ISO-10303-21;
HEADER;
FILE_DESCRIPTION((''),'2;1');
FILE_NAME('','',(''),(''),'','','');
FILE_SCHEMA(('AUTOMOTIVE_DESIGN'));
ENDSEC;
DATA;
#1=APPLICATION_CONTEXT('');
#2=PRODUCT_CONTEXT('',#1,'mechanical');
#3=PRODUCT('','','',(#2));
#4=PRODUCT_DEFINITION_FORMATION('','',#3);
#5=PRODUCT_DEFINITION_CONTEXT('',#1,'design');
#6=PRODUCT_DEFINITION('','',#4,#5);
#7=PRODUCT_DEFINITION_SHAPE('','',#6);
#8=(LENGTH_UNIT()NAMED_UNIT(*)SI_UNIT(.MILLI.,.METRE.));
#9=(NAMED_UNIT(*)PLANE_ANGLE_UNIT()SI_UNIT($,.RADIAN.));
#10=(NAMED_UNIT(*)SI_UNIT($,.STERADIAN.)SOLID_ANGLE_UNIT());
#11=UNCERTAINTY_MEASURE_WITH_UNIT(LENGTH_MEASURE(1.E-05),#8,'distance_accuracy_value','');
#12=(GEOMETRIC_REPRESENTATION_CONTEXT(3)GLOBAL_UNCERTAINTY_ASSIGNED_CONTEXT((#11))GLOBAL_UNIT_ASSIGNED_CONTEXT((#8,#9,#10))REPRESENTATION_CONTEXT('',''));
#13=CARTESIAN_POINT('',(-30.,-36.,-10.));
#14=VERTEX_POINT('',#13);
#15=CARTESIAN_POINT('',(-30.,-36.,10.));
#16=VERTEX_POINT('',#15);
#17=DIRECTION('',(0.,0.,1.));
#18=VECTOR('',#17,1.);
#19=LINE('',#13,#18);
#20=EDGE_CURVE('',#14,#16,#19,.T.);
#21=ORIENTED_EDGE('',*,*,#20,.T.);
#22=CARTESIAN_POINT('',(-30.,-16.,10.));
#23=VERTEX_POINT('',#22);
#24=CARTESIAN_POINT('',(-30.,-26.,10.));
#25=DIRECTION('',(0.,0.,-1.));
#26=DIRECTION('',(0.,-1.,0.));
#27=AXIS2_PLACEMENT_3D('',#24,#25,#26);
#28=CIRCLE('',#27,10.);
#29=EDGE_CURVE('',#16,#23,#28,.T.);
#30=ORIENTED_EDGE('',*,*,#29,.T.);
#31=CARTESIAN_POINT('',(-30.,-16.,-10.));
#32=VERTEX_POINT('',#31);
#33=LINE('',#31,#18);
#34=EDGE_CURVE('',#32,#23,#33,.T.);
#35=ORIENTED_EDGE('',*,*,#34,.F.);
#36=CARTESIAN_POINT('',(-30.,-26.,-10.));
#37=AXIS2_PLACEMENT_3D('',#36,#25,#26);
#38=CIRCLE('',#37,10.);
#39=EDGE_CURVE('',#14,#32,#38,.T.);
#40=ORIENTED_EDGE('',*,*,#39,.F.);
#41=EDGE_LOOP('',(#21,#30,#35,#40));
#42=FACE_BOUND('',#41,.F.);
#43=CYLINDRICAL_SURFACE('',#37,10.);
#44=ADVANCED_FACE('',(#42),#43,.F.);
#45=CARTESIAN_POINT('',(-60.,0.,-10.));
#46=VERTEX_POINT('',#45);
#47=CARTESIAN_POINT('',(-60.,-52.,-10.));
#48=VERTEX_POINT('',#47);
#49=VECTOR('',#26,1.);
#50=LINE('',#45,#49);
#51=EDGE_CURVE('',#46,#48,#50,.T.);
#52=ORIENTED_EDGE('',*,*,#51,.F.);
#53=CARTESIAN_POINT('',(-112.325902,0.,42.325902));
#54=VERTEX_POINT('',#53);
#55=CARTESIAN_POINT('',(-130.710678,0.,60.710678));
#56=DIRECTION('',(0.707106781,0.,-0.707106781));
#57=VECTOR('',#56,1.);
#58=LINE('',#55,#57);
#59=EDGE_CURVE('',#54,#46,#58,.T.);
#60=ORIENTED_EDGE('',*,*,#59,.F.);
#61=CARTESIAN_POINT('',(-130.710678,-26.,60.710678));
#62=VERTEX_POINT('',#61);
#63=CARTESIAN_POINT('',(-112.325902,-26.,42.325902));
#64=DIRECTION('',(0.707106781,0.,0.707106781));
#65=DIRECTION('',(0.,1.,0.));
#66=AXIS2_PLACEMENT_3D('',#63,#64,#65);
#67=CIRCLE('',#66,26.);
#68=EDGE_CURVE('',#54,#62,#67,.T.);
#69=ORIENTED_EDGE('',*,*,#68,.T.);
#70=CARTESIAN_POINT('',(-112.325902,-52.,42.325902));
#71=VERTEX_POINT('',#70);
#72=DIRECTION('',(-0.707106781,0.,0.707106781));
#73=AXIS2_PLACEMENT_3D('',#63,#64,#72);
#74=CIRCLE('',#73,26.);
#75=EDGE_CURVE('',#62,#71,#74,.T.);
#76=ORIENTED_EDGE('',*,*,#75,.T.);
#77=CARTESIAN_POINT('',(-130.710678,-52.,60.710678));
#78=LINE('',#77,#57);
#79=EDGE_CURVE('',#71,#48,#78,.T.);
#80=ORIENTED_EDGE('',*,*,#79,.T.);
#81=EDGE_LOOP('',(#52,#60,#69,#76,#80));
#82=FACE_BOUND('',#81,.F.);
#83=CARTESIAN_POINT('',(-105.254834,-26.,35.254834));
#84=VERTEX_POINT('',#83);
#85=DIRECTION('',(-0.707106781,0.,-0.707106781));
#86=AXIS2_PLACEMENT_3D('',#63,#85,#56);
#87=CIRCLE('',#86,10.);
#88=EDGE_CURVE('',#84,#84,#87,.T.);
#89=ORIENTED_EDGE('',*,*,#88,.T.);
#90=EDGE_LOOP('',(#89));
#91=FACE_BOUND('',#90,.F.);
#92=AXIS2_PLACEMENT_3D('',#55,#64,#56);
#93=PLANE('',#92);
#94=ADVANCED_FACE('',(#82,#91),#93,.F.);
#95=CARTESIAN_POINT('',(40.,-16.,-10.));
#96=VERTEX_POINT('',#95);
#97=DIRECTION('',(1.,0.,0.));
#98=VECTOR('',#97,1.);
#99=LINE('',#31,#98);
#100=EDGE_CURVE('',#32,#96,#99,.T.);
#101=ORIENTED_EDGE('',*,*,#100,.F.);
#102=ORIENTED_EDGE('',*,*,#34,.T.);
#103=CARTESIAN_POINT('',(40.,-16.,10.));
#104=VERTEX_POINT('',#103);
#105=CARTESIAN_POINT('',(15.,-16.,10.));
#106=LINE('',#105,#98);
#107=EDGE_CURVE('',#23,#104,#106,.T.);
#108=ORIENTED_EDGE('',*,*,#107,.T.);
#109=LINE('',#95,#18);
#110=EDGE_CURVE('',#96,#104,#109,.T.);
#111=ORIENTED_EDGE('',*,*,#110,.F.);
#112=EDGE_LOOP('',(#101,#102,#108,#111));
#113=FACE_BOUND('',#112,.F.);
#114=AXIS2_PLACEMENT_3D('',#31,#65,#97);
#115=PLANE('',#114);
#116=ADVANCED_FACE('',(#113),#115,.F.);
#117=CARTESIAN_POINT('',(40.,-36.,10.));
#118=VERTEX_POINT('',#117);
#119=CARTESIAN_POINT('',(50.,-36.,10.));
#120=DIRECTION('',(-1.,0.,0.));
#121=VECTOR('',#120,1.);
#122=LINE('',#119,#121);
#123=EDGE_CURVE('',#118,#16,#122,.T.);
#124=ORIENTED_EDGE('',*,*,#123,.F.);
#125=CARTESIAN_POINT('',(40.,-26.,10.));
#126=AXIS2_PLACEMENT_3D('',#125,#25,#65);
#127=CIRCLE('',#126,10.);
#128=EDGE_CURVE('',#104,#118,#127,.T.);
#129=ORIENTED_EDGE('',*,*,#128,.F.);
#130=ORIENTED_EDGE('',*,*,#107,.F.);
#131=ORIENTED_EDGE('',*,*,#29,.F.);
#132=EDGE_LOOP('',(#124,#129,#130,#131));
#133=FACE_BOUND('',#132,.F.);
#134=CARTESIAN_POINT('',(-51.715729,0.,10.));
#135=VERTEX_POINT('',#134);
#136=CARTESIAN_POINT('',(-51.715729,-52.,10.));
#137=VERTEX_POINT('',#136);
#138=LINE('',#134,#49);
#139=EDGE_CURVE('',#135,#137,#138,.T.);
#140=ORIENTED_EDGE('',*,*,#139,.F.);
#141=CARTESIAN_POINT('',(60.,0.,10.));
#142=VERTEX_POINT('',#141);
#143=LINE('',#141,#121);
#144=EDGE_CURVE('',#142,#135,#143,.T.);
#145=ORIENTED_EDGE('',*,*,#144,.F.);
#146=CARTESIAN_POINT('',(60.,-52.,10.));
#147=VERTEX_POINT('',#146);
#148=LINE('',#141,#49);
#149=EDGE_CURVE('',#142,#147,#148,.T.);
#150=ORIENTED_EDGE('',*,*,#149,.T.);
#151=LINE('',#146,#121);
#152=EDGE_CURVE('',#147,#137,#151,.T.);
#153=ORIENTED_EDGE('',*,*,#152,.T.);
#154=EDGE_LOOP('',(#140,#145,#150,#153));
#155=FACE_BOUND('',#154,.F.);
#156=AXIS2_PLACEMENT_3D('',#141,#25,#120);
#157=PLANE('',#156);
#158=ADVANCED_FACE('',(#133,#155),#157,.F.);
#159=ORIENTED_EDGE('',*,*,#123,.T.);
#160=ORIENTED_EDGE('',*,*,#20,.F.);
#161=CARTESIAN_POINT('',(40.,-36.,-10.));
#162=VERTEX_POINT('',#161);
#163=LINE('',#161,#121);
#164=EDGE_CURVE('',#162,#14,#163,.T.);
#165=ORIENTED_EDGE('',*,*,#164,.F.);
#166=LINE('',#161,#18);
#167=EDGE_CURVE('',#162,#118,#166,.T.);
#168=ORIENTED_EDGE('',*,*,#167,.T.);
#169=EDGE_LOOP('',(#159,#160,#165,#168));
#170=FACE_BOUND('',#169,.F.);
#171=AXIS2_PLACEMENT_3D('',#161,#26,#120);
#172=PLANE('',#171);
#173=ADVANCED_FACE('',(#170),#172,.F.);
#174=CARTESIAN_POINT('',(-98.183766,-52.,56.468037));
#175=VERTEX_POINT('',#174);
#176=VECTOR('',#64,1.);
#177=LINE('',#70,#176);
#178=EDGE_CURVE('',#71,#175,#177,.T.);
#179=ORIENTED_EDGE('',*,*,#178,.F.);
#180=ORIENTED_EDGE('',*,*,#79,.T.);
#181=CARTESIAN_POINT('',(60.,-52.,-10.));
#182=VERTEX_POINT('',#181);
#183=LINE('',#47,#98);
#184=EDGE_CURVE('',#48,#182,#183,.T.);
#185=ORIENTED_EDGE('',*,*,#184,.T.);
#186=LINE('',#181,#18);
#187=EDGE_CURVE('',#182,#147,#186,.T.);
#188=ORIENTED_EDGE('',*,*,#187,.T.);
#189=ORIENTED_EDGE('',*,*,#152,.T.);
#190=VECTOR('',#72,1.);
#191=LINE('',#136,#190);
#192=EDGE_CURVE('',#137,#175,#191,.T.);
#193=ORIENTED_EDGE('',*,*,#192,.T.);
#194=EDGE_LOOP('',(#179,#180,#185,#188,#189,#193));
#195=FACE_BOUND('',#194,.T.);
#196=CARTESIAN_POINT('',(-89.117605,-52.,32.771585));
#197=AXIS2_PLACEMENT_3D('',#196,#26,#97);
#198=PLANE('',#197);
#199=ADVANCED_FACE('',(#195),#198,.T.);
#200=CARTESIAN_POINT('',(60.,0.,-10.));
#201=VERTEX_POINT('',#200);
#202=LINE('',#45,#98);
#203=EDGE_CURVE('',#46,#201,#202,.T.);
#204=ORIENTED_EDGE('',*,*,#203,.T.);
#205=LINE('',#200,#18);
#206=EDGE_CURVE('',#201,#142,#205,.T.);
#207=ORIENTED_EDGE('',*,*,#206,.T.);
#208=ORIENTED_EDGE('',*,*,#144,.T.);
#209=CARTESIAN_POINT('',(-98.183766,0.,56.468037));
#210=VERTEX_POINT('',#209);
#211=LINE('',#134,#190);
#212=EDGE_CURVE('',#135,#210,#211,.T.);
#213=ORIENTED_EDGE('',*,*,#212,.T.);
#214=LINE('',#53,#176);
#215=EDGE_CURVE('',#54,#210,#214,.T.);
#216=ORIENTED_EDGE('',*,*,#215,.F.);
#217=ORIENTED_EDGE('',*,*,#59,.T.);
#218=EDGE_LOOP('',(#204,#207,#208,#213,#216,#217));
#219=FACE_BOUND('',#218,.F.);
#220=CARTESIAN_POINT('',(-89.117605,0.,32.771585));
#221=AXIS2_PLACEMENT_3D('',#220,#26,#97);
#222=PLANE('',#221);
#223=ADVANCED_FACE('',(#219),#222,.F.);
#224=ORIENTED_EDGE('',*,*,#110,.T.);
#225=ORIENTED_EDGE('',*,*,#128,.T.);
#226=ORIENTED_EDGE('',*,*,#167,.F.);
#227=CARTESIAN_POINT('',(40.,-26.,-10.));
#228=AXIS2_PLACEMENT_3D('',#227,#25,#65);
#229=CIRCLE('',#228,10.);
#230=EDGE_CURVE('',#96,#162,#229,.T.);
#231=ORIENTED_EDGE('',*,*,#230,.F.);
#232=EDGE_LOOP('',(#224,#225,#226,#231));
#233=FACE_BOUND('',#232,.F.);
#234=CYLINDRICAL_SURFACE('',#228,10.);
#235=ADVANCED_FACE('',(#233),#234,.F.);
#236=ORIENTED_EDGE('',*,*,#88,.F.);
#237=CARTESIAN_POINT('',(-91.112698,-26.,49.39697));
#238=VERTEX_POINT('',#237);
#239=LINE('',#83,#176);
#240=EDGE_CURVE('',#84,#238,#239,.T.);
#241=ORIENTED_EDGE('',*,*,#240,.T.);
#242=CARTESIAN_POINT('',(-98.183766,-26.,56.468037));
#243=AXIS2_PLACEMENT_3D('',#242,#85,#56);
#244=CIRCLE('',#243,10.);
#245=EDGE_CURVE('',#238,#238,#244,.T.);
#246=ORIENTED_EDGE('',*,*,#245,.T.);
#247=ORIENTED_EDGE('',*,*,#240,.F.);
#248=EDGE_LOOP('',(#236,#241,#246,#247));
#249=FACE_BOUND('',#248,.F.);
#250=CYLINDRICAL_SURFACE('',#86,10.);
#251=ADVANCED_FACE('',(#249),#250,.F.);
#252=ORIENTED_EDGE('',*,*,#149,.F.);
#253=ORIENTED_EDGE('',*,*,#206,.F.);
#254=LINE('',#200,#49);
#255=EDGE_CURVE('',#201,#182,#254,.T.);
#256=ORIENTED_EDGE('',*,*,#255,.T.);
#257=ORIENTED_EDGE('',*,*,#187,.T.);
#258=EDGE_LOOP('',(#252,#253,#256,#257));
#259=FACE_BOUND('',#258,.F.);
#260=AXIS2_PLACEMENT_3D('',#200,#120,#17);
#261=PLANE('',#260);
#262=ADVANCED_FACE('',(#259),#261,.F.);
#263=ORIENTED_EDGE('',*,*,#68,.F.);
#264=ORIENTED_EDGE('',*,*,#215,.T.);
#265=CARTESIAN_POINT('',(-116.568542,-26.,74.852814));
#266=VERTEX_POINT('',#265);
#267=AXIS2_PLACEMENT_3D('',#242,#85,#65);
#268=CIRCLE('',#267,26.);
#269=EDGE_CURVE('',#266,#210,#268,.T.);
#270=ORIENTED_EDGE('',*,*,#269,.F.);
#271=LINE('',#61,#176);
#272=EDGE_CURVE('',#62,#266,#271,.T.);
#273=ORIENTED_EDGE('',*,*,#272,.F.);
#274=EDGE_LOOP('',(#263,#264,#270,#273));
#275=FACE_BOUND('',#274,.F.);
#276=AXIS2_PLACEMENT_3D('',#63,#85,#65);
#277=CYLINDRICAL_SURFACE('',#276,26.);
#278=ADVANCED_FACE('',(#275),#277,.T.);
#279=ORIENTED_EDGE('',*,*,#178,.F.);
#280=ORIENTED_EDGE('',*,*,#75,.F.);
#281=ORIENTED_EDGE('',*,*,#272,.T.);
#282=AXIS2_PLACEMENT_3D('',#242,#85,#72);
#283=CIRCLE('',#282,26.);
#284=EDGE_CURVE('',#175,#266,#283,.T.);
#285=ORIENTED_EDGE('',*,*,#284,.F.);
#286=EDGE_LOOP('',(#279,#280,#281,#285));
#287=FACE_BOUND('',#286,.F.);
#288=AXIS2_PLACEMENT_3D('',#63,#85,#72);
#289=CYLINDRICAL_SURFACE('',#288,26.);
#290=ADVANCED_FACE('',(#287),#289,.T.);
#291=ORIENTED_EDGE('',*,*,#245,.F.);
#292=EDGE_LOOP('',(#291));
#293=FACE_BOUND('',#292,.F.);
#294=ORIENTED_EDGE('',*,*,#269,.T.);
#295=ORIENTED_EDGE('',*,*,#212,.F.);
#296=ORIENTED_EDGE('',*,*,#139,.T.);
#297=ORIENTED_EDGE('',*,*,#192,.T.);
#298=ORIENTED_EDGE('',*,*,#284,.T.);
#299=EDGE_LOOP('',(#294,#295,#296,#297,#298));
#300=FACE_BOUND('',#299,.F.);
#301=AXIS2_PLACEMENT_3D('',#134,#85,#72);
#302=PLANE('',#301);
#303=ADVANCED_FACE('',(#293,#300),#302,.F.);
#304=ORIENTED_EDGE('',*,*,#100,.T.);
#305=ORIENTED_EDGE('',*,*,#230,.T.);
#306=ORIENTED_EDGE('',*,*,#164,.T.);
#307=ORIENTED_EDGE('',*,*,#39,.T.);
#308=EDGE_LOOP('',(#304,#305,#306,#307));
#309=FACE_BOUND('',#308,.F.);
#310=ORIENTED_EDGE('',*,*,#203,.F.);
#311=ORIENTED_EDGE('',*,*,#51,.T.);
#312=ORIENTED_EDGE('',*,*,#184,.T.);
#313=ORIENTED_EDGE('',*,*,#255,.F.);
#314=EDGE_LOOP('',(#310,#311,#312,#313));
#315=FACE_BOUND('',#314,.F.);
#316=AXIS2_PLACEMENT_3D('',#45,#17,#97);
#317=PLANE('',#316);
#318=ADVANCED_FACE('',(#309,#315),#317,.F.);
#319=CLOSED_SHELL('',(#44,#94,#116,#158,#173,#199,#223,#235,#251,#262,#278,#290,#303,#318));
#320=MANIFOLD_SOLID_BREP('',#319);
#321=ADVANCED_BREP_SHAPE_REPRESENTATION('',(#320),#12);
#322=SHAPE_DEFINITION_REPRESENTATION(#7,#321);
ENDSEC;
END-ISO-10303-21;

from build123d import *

# Parameters (mm, degrees)
F1_DEPTH = 52
F2_R     = 10
F3_DEPTH = 144.8538137424
F5_DEPTH = 84.8538137424


with BuildPart() as f1:
    # F0 (on Front) → F1 (new body)
    with BuildSketch(Plane.XZ):
        Polygon((-130.7106781187, 60.7106781187), (-60, -10), (-60, 10), (-51.7157287525, 10), (-116.5685424949, 74.8528137424), align=None)
        Polygon((-60, -10), (60, -10), (60, 10), (-51.7157287525, 10), (-60, 10), align=None)
    extrude(amount=F1_DEPTH)

    # F2 (on face) → F3 (cut, through all)
    with BuildSketch(Plane(origin=(-35, 0, -35), x_dir=(0.7071067812, 0, -0.7071067812), z_dir=(-0.7071067812, 0, -0.7071067812))):
        with Locations((-109.3553390593, 26)):
            Circle(F2_R)
        with BuildLine():
            ThreePointArc((-135.3553390593, 26), (-127.7401153702, 44.3847763109), (-109.3553390593, 52))
            Line((-109.3553390593, 52), (-135.3553390593, 52))
            Line((-135.3553390593, 52), (-135.3553390593, 26))
        make_face()
        with BuildLine():
            Line((-135.3553390593, 0), (-109.3553390593, 0))
            ThreePointArc((-109.3553390593, 0), (-127.7401153702, 7.6152236891), (-135.3553390593, 26))
            Line((-135.3553390593, 26), (-135.3553390593, 0))
        make_face()
    extrude(amount=-F3_DEPTH, mode=Mode.SUBTRACT)

    # F4 (on face) → F5 (cut, through all)
    with BuildSketch(Plane(origin=(0, 0, -10), x_dir=(1, 0, 0), z_dir=(0, 0, -1))):
        with BuildLine():
            ThreePointArc((40, 16), (50, 26), (40, 36))
            Line((40, 36), (-30, 36))
            ThreePointArc((-30, 36), (-40, 26), (-30, 16))
            Line((-30, 16), (40, 16))
        make_face()
    extrude(amount=-F5_DEPTH, mode=Mode.SUBTRACT)


solid = f1.part
